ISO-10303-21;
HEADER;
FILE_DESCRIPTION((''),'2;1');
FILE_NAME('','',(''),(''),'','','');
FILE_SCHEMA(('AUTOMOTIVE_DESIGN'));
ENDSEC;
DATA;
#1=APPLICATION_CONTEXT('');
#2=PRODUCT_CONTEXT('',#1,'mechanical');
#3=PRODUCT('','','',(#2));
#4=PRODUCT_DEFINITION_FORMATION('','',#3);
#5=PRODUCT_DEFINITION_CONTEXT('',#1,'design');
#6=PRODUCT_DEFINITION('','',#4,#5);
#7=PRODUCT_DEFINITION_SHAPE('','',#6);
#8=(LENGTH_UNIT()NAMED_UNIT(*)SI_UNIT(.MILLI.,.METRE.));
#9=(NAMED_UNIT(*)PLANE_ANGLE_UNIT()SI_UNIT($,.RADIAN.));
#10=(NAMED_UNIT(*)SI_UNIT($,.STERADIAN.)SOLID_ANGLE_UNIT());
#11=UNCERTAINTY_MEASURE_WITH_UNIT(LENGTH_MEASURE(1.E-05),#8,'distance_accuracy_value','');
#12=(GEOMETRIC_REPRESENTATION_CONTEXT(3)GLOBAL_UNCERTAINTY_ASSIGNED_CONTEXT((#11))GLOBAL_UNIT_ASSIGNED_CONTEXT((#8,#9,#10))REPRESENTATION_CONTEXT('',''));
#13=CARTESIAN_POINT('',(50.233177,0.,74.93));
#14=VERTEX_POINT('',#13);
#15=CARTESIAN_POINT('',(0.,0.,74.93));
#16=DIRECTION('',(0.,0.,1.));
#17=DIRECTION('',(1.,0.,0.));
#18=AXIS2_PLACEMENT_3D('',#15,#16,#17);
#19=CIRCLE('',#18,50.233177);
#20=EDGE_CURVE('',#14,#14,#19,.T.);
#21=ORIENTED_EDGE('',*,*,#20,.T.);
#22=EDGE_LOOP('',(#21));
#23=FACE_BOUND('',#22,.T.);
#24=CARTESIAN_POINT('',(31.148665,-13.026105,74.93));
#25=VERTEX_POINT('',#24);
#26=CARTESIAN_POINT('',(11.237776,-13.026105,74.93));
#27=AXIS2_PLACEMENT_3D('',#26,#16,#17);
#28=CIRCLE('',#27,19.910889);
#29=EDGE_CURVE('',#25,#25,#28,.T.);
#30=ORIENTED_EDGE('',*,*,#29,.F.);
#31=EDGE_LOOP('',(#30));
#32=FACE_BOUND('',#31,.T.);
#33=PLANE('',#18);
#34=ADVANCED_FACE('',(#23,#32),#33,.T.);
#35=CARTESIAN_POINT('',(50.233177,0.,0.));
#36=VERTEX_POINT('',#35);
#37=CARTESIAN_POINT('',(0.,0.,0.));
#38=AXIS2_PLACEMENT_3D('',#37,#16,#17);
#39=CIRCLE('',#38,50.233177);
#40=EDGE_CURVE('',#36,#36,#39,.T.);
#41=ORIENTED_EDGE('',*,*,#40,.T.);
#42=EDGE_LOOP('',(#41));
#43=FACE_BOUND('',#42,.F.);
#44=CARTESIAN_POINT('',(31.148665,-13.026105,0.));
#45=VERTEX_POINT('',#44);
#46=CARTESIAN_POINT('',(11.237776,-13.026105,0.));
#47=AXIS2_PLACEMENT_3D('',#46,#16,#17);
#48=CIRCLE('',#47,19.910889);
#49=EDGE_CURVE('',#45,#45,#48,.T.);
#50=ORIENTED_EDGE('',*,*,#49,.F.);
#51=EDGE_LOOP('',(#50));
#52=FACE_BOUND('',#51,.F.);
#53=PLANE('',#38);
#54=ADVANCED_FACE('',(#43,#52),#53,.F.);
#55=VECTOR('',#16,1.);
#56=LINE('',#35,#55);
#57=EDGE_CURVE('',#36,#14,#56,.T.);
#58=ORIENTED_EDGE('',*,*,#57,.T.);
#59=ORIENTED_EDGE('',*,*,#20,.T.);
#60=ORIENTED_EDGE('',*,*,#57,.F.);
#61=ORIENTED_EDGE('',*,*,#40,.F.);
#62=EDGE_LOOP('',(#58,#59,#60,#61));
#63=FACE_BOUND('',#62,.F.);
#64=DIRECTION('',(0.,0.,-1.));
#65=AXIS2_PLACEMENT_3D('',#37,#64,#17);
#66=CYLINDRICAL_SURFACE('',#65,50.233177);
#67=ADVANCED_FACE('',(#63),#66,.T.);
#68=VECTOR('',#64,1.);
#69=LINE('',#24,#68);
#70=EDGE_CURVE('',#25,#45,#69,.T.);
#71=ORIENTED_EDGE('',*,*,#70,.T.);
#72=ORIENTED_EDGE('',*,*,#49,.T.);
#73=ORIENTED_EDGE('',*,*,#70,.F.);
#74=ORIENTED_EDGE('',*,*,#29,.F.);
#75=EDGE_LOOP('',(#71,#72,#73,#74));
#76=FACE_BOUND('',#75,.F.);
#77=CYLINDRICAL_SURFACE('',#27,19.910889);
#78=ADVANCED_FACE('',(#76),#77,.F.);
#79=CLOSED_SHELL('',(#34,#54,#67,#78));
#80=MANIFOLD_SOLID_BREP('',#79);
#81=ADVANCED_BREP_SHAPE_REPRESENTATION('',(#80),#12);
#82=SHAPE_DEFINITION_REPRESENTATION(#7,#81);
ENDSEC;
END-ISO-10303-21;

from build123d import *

# Parameters (mm, degrees)
F0_R      = 50.233177
F1_DEPTH  = 100.33
F1_FACE_R = 50.233177
F2_DEPTH  = 25.4
F3_R      = 19.910889
F4_DEPTH  = 258.826


with BuildPart() as f1:
    # F0 (on Top) → F1 (new body)
    with BuildSketch(Plane.XY):
        Circle(F0_R)
    extrude(amount=F1_DEPTH)

    # F1_face (on face) → F2 (cut)
    with BuildSketch(Plane.XY.offset(100.33)):
        Circle(F1_FACE_R)
    extrude(amount=-F2_DEPTH, mode=Mode.SUBTRACT)

    # F3 (on face) → F4 (cut)
    with BuildSketch(Plane.XY.offset(74.93)):
        with Locations((11.237776, -13.026105)):
            Circle(F3_R)
    extrude(amount=-F4_DEPTH, mode=Mode.SUBTRACT)


solid = f1.part
